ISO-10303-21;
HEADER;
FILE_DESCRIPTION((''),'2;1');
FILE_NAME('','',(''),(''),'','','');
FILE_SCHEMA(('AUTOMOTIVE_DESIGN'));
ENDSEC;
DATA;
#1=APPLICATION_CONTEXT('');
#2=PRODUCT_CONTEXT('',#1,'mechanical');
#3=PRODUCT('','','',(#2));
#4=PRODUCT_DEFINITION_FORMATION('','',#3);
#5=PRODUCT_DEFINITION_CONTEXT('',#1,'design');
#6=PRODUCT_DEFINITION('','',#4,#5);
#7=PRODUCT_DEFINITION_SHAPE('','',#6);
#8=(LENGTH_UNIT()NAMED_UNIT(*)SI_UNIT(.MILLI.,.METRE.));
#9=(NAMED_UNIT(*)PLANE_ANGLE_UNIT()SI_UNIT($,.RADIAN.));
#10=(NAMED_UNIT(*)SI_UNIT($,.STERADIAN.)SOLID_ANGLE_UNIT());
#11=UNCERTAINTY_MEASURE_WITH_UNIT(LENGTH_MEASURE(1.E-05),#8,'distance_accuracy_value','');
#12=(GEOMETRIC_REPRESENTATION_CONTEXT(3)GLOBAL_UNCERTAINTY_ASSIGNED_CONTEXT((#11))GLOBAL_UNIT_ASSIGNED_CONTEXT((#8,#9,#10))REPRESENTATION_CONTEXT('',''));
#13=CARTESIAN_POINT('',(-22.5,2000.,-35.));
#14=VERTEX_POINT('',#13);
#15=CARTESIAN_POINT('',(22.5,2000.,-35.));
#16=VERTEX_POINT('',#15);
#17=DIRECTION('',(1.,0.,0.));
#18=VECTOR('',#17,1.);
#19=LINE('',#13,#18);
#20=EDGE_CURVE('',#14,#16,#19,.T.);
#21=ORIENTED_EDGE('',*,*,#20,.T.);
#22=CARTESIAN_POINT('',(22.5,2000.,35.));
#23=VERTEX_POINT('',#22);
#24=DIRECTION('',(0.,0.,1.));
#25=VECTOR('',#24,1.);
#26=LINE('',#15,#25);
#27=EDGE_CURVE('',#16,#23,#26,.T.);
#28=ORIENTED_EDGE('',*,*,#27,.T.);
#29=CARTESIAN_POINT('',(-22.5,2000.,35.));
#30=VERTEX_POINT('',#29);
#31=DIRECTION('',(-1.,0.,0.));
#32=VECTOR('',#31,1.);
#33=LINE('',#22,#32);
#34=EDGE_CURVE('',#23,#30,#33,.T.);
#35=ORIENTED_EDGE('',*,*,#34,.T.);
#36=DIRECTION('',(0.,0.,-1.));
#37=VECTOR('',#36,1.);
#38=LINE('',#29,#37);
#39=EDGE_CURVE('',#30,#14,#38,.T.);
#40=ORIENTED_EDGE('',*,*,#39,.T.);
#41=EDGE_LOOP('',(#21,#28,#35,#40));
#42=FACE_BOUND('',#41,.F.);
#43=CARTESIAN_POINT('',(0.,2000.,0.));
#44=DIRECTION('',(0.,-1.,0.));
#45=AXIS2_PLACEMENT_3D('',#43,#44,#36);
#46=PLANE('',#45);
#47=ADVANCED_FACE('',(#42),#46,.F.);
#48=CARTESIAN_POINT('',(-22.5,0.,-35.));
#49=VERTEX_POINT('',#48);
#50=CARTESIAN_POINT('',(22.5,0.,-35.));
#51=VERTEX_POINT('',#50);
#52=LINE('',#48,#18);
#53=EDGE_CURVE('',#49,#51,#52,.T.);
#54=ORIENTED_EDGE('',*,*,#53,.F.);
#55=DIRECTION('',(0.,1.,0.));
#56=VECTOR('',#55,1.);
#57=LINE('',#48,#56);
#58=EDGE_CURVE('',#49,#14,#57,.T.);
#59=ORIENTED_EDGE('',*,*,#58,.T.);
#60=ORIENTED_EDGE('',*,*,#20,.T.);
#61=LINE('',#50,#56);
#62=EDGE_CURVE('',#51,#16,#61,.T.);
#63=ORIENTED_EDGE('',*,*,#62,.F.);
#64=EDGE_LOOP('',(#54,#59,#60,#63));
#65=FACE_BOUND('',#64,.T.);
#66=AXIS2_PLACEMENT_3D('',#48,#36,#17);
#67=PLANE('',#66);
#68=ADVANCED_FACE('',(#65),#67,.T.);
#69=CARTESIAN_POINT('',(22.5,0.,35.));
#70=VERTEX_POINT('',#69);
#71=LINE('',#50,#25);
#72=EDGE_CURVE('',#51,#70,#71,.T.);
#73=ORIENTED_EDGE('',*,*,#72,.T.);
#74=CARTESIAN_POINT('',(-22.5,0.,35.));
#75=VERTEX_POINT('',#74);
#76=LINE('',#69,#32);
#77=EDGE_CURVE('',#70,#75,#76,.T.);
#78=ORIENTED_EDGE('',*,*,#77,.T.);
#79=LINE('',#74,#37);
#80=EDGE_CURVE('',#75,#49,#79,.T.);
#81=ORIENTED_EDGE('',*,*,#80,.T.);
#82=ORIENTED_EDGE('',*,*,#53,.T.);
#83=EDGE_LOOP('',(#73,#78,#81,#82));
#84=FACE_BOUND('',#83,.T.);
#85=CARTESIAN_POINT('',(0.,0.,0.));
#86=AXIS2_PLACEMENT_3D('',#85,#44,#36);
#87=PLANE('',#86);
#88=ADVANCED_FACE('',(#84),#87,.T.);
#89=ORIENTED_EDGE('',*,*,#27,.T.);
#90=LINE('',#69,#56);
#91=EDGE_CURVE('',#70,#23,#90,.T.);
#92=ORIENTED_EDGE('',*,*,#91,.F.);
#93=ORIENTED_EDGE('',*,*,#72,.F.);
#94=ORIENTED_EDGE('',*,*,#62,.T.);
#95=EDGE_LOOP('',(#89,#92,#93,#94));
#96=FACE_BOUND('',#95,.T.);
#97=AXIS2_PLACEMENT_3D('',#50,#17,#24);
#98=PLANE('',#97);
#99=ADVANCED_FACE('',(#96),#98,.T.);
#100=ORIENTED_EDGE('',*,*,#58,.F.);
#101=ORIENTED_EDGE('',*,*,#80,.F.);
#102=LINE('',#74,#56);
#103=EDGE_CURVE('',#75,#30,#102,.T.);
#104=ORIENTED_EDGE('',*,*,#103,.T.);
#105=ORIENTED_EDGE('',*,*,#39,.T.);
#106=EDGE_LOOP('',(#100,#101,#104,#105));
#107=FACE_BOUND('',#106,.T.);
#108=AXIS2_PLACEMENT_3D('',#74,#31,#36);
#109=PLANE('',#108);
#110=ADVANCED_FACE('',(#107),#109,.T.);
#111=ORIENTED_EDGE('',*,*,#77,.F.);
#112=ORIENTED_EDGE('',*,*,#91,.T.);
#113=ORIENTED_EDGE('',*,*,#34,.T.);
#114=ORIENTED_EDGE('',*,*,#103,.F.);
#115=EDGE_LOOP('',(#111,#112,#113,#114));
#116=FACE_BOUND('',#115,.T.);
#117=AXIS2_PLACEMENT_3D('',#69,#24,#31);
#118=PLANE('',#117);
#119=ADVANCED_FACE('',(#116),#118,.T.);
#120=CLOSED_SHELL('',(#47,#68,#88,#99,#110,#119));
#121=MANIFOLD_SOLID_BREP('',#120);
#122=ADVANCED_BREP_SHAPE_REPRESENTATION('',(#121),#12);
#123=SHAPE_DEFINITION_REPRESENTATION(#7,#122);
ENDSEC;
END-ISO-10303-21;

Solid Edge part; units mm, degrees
sketch "Sketch1" plane through (0, 0, 0) normal (0, -1, 0) x (1, 0, 0)
  line L0 (-22.5, -35) -> (22.5, -35)
  line L1 (22.5, -35) -> (22.5, 35)
  line L2 (22.5, 35) -> (-22.5, 35)
  line L3 (-22.5, 35) -> (-22.5, -35)
extrude "Protrusion1" add sketch "Sketch1" against normal blind 2000
properties material "Wood, Pine"
